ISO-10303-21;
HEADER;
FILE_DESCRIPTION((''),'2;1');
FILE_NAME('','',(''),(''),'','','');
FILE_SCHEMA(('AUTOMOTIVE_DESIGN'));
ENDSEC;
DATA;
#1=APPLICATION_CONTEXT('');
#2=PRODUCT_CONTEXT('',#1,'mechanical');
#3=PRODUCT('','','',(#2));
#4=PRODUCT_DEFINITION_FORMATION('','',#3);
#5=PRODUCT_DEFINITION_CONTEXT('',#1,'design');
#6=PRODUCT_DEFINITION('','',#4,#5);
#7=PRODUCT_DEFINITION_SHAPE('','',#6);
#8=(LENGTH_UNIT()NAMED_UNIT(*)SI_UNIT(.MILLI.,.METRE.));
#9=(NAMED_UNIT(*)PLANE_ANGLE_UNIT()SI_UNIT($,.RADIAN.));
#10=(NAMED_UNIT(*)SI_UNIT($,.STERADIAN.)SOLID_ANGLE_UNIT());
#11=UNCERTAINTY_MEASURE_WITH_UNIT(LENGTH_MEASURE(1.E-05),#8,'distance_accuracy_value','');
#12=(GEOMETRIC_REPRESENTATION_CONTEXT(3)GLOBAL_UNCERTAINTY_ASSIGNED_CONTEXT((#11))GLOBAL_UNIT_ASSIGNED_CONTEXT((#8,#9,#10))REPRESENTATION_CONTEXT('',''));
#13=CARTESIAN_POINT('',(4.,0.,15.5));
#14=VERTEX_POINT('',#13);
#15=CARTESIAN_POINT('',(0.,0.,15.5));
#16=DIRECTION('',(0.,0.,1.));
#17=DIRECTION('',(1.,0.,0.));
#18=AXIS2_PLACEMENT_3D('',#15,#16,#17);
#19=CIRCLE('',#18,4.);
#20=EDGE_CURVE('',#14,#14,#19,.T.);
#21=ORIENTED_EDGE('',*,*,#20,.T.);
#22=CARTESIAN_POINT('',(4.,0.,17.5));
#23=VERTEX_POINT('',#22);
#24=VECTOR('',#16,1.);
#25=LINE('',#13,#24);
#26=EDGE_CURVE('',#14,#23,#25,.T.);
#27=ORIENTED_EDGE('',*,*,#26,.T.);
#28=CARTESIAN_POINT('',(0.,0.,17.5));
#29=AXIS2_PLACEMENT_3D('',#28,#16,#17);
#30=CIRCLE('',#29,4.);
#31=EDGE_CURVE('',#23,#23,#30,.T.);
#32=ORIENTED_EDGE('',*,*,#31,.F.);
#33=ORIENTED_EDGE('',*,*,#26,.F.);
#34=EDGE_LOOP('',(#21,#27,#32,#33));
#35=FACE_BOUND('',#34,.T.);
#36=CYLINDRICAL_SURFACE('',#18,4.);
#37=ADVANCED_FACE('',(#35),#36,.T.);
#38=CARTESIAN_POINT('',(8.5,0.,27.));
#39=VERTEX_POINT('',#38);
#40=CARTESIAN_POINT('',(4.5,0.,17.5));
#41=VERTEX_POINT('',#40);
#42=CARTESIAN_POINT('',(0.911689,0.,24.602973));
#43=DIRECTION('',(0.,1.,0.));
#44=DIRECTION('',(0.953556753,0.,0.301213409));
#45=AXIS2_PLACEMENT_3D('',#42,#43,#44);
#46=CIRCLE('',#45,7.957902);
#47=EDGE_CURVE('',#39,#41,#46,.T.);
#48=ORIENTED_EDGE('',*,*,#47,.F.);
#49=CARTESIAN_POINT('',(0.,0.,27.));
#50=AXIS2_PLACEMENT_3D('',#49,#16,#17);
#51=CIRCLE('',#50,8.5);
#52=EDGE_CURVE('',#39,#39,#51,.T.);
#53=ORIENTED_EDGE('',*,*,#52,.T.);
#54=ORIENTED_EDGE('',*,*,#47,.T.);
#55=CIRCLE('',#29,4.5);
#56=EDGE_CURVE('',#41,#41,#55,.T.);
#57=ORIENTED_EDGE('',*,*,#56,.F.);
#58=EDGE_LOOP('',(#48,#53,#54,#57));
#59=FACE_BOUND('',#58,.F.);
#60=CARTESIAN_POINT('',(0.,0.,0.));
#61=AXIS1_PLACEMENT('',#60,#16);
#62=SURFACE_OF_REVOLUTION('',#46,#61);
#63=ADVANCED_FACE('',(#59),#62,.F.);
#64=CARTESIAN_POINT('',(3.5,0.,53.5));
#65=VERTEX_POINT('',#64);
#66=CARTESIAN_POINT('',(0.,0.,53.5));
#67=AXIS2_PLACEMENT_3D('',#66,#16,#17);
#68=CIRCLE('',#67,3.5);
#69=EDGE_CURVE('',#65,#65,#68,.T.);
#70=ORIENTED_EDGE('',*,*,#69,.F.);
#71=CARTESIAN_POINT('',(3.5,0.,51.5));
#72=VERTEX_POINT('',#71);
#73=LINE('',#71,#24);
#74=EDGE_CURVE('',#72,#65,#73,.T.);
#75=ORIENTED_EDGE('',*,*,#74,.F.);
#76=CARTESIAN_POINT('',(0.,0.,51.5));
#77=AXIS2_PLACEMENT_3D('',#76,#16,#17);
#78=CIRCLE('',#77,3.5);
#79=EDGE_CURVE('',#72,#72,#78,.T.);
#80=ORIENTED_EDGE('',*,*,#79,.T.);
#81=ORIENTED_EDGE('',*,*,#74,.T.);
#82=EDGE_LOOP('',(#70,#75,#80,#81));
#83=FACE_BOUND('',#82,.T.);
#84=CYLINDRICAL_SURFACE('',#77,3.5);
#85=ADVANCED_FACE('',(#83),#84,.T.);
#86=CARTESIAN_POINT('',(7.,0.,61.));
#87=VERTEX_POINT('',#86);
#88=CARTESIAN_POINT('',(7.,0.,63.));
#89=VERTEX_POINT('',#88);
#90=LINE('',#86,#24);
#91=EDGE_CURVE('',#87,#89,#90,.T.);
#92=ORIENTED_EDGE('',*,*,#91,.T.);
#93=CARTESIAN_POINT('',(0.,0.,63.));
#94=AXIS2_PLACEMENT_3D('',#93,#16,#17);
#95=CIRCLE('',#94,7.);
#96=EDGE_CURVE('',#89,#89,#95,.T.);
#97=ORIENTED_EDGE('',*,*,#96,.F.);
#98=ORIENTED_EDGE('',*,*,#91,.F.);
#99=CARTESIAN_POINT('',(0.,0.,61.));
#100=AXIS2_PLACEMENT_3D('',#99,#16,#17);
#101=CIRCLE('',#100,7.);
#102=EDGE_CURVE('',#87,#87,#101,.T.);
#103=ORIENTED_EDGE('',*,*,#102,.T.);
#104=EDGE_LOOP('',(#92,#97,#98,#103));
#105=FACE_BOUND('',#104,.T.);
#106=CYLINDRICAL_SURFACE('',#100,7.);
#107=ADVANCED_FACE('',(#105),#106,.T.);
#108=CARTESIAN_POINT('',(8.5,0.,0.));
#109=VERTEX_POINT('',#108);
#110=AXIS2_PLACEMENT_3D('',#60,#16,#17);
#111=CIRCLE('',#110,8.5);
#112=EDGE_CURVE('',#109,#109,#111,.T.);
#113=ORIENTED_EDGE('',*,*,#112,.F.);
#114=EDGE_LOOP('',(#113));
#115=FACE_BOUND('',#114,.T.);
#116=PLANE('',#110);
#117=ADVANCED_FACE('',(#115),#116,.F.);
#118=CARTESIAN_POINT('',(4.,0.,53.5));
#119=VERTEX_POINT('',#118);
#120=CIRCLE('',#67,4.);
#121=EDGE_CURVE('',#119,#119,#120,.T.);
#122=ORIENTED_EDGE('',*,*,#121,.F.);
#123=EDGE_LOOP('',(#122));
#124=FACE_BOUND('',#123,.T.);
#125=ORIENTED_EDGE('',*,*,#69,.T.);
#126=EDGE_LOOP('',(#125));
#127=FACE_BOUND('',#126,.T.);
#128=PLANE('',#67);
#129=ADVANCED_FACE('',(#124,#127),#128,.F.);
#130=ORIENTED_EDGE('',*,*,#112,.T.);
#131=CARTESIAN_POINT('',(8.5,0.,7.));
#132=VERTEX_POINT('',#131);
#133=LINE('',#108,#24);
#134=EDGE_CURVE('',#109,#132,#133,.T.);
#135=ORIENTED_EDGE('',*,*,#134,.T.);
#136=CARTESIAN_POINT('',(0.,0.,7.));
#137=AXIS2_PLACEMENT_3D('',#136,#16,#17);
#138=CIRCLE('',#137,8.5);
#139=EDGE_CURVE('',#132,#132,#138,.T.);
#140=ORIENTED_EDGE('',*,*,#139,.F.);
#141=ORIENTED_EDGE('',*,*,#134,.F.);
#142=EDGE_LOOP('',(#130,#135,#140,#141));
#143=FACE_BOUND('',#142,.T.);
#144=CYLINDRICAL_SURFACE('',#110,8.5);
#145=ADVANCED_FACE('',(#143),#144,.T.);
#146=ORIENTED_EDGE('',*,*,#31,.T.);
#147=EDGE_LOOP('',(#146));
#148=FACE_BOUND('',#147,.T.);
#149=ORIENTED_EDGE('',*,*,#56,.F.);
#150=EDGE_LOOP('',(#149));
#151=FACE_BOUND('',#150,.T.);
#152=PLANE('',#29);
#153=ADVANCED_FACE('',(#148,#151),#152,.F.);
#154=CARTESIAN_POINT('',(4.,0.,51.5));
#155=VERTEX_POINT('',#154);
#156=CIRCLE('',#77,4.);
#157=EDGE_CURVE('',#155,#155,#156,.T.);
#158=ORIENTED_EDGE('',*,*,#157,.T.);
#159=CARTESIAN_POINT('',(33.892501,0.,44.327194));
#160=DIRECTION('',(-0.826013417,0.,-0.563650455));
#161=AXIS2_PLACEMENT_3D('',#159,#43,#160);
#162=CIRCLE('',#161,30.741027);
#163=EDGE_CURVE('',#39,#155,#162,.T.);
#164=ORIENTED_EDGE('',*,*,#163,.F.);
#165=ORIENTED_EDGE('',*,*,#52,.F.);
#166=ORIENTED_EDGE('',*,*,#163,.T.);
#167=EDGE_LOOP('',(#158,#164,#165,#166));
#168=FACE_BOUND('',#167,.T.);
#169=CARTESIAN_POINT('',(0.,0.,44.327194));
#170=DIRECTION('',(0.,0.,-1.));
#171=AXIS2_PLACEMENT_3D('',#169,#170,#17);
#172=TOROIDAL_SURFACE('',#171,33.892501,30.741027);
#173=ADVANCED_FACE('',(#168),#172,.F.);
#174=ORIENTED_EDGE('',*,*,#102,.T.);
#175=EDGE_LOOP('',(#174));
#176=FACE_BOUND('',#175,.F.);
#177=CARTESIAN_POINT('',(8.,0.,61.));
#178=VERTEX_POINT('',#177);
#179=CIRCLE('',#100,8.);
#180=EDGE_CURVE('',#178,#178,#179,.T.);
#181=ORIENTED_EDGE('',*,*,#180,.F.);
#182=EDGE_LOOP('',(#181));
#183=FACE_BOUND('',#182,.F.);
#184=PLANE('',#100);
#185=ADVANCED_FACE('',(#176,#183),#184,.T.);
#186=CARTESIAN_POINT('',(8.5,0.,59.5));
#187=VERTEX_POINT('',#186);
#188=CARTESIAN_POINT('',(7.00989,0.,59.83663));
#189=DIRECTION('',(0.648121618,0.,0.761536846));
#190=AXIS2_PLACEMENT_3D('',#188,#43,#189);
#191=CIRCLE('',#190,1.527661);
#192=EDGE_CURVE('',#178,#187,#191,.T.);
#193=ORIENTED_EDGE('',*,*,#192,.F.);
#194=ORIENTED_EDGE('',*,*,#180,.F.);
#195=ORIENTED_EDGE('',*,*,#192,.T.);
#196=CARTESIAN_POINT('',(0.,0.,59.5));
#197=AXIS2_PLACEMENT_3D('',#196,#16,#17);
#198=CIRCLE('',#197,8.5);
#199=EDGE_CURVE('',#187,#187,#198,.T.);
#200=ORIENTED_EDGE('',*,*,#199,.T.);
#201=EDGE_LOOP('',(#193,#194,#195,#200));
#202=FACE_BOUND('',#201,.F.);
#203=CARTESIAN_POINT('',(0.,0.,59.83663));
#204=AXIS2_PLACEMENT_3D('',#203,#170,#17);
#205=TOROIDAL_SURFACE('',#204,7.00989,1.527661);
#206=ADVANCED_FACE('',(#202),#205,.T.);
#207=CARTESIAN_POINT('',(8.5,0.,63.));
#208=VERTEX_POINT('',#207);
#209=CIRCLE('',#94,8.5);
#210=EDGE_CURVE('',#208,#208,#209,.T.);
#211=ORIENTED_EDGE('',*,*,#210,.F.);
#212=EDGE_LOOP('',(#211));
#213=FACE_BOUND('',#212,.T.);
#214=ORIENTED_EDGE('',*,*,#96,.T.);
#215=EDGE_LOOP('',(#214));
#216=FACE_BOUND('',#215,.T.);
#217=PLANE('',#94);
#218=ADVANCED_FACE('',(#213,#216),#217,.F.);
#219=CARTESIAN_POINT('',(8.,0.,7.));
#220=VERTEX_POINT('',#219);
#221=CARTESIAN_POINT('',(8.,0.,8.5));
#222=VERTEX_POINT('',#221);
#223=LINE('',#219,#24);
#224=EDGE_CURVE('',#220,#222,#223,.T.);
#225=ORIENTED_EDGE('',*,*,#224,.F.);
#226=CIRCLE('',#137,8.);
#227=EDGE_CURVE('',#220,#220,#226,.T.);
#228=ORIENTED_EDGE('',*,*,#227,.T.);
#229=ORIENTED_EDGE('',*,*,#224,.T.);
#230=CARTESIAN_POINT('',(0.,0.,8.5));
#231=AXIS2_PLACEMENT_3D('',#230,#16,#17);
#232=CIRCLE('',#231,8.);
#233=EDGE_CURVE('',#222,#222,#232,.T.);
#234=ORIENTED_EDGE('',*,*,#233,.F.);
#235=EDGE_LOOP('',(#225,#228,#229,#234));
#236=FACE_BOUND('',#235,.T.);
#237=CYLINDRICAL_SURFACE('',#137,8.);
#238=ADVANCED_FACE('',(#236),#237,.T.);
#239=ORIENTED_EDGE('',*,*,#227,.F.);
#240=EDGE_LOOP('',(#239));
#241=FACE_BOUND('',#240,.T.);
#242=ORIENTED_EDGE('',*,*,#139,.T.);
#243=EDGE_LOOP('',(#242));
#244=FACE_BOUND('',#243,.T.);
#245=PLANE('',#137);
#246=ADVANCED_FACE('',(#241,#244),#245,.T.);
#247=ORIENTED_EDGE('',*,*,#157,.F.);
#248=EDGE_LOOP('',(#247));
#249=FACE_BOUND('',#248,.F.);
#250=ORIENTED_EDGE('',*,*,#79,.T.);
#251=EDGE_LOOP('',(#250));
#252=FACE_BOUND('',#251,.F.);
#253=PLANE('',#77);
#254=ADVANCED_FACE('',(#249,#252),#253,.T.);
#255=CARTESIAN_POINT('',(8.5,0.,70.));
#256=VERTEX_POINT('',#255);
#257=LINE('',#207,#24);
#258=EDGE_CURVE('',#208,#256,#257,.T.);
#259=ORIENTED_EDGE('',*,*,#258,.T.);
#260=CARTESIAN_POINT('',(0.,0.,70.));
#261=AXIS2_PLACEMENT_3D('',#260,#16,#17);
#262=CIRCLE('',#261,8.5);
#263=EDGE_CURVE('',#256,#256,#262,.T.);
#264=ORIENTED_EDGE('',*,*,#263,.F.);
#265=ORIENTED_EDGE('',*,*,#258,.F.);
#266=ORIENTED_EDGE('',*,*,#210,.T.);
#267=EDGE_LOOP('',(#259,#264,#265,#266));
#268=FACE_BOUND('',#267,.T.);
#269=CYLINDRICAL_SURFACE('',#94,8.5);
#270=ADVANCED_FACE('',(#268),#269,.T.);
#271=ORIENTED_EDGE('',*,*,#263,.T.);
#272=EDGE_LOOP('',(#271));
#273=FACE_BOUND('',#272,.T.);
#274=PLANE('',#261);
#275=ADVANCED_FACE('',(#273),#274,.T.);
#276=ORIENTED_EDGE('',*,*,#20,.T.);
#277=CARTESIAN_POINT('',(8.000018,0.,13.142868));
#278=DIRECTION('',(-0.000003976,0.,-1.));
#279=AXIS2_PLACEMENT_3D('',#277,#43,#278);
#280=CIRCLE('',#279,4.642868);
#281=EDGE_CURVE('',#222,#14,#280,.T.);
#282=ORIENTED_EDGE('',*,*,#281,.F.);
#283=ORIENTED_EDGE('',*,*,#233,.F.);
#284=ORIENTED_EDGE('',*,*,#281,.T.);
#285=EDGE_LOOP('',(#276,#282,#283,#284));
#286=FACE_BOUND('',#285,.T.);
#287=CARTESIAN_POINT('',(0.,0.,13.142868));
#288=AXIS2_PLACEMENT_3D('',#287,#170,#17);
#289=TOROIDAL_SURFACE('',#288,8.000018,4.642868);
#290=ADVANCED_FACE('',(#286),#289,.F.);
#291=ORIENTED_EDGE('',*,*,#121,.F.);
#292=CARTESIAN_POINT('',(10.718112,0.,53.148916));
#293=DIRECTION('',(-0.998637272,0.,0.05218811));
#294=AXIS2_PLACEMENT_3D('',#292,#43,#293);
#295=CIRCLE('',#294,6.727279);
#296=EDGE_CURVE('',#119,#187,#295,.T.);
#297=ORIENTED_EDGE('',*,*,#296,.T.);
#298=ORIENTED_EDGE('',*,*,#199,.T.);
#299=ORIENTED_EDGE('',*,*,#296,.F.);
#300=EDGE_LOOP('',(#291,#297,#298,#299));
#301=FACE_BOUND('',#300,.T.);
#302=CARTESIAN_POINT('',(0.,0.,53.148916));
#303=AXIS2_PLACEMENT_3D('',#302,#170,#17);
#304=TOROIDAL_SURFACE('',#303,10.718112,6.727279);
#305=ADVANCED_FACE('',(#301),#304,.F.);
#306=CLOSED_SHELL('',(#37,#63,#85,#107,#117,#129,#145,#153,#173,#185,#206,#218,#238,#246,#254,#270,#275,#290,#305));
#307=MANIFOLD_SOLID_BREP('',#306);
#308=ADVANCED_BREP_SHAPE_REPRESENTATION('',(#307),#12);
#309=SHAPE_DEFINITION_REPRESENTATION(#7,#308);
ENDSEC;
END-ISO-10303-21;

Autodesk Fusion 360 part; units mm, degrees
sketch "Sketch1" plane through (0, 0, 0) normal (0, 1, 0) x (1, 0, 0)
  line L0 (0, 0) -> (8.5, 0)
  line L1 (0, 0) -> (0, -70)
  line L2 (8.5, 0) -> (8.5, -7)
  line L3 (8.5, -7) -> (8, -7)
  line L4 (8, -7) -> (8, -8.5)
  line L5 (8.5, -7) -> (0, -7)
  line L6 (8, -8.5) -> (0, -8.5)
  line L7 (0, -8.5) -> (0, -15.5)
  line L8 (0, -15.5) -> (4, -15.5)
  arc A0 (8, -8.5) -> (4, -15.5) centre (8, -13.1429) ccw
  line L9 (4, -15.5) -> (4, -17.5)
  line L10 (4, -17.5) -> (0, -17.5)
  line L11 (0, -17.5) -> (4.5, -17.5)
  line L12 (0, -17.5) -> (0, -27)
  line L13 (0, -27) -> (8.5, -27)
  arc A1 (8.5, -27) -> (4.5, -17.5) centre (0.9117, -24.603) ccw
  line L14 (0, -27) -> (0, -51.5)
  line L15 (0, -51.5) -> (4, -51.5)
  arc A2 (8.5, -27) -> (4, -51.5) centre (33.8925, -44.3272) ccw
  line L16 (0, -51.5) -> (3.5, -51.5)
  line L17 (3.5, -51.5) -> (3.5, -53.5)
  line L18 (3.5, -53.5) -> (0, -53.5)
  line L19 (0, -53.5) -> (4, -53.5)
  line L20 (0, -53.5) -> (0, -59.5)
  line L21 (0, -59.5) -> (8.5, -59.5)
  arc A3 (4, -53.5) -> (8.5, -59.5) centre (10.7181, -53.1489) ccw
  line L22 (0, -59.5) -> (0, -61)
  line L23 (0, -61) -> (8, -61)
  line L24 (0, -61) -> (7, -61)
  line L25 (7, -61) -> (7, -63)
  line L26 (7, -63) -> (0, -63)
  line L27 (0, -63) -> (8.5, -63)
  line L28 (8.5, -63) -> (8.5, -70)
  line L29 (8.5, -70) -> (0, -70)
  arc A4 (8, -61) -> (8.5, -59.5) centre (7.0099, -59.8366) ccw
  dimension "d2" = 70
  dimension "d3" = 7
  dimension "d5" = 1.5
  dimension "d7" = 7
  dimension "d12" = 2
  dimension "d15" = 9.5
  dimension "d17" = 24.5
  dimension "d20" = 2
  dimension "d22" = 6
  dimension "d24" = 1.5
  dimension "d26" = 2
  dimension "d29" = 7
revolve "Revolve1" add sketch "Sketch1" angle 360 about axis through (0, 0, 0) along (0, 0, 1)
